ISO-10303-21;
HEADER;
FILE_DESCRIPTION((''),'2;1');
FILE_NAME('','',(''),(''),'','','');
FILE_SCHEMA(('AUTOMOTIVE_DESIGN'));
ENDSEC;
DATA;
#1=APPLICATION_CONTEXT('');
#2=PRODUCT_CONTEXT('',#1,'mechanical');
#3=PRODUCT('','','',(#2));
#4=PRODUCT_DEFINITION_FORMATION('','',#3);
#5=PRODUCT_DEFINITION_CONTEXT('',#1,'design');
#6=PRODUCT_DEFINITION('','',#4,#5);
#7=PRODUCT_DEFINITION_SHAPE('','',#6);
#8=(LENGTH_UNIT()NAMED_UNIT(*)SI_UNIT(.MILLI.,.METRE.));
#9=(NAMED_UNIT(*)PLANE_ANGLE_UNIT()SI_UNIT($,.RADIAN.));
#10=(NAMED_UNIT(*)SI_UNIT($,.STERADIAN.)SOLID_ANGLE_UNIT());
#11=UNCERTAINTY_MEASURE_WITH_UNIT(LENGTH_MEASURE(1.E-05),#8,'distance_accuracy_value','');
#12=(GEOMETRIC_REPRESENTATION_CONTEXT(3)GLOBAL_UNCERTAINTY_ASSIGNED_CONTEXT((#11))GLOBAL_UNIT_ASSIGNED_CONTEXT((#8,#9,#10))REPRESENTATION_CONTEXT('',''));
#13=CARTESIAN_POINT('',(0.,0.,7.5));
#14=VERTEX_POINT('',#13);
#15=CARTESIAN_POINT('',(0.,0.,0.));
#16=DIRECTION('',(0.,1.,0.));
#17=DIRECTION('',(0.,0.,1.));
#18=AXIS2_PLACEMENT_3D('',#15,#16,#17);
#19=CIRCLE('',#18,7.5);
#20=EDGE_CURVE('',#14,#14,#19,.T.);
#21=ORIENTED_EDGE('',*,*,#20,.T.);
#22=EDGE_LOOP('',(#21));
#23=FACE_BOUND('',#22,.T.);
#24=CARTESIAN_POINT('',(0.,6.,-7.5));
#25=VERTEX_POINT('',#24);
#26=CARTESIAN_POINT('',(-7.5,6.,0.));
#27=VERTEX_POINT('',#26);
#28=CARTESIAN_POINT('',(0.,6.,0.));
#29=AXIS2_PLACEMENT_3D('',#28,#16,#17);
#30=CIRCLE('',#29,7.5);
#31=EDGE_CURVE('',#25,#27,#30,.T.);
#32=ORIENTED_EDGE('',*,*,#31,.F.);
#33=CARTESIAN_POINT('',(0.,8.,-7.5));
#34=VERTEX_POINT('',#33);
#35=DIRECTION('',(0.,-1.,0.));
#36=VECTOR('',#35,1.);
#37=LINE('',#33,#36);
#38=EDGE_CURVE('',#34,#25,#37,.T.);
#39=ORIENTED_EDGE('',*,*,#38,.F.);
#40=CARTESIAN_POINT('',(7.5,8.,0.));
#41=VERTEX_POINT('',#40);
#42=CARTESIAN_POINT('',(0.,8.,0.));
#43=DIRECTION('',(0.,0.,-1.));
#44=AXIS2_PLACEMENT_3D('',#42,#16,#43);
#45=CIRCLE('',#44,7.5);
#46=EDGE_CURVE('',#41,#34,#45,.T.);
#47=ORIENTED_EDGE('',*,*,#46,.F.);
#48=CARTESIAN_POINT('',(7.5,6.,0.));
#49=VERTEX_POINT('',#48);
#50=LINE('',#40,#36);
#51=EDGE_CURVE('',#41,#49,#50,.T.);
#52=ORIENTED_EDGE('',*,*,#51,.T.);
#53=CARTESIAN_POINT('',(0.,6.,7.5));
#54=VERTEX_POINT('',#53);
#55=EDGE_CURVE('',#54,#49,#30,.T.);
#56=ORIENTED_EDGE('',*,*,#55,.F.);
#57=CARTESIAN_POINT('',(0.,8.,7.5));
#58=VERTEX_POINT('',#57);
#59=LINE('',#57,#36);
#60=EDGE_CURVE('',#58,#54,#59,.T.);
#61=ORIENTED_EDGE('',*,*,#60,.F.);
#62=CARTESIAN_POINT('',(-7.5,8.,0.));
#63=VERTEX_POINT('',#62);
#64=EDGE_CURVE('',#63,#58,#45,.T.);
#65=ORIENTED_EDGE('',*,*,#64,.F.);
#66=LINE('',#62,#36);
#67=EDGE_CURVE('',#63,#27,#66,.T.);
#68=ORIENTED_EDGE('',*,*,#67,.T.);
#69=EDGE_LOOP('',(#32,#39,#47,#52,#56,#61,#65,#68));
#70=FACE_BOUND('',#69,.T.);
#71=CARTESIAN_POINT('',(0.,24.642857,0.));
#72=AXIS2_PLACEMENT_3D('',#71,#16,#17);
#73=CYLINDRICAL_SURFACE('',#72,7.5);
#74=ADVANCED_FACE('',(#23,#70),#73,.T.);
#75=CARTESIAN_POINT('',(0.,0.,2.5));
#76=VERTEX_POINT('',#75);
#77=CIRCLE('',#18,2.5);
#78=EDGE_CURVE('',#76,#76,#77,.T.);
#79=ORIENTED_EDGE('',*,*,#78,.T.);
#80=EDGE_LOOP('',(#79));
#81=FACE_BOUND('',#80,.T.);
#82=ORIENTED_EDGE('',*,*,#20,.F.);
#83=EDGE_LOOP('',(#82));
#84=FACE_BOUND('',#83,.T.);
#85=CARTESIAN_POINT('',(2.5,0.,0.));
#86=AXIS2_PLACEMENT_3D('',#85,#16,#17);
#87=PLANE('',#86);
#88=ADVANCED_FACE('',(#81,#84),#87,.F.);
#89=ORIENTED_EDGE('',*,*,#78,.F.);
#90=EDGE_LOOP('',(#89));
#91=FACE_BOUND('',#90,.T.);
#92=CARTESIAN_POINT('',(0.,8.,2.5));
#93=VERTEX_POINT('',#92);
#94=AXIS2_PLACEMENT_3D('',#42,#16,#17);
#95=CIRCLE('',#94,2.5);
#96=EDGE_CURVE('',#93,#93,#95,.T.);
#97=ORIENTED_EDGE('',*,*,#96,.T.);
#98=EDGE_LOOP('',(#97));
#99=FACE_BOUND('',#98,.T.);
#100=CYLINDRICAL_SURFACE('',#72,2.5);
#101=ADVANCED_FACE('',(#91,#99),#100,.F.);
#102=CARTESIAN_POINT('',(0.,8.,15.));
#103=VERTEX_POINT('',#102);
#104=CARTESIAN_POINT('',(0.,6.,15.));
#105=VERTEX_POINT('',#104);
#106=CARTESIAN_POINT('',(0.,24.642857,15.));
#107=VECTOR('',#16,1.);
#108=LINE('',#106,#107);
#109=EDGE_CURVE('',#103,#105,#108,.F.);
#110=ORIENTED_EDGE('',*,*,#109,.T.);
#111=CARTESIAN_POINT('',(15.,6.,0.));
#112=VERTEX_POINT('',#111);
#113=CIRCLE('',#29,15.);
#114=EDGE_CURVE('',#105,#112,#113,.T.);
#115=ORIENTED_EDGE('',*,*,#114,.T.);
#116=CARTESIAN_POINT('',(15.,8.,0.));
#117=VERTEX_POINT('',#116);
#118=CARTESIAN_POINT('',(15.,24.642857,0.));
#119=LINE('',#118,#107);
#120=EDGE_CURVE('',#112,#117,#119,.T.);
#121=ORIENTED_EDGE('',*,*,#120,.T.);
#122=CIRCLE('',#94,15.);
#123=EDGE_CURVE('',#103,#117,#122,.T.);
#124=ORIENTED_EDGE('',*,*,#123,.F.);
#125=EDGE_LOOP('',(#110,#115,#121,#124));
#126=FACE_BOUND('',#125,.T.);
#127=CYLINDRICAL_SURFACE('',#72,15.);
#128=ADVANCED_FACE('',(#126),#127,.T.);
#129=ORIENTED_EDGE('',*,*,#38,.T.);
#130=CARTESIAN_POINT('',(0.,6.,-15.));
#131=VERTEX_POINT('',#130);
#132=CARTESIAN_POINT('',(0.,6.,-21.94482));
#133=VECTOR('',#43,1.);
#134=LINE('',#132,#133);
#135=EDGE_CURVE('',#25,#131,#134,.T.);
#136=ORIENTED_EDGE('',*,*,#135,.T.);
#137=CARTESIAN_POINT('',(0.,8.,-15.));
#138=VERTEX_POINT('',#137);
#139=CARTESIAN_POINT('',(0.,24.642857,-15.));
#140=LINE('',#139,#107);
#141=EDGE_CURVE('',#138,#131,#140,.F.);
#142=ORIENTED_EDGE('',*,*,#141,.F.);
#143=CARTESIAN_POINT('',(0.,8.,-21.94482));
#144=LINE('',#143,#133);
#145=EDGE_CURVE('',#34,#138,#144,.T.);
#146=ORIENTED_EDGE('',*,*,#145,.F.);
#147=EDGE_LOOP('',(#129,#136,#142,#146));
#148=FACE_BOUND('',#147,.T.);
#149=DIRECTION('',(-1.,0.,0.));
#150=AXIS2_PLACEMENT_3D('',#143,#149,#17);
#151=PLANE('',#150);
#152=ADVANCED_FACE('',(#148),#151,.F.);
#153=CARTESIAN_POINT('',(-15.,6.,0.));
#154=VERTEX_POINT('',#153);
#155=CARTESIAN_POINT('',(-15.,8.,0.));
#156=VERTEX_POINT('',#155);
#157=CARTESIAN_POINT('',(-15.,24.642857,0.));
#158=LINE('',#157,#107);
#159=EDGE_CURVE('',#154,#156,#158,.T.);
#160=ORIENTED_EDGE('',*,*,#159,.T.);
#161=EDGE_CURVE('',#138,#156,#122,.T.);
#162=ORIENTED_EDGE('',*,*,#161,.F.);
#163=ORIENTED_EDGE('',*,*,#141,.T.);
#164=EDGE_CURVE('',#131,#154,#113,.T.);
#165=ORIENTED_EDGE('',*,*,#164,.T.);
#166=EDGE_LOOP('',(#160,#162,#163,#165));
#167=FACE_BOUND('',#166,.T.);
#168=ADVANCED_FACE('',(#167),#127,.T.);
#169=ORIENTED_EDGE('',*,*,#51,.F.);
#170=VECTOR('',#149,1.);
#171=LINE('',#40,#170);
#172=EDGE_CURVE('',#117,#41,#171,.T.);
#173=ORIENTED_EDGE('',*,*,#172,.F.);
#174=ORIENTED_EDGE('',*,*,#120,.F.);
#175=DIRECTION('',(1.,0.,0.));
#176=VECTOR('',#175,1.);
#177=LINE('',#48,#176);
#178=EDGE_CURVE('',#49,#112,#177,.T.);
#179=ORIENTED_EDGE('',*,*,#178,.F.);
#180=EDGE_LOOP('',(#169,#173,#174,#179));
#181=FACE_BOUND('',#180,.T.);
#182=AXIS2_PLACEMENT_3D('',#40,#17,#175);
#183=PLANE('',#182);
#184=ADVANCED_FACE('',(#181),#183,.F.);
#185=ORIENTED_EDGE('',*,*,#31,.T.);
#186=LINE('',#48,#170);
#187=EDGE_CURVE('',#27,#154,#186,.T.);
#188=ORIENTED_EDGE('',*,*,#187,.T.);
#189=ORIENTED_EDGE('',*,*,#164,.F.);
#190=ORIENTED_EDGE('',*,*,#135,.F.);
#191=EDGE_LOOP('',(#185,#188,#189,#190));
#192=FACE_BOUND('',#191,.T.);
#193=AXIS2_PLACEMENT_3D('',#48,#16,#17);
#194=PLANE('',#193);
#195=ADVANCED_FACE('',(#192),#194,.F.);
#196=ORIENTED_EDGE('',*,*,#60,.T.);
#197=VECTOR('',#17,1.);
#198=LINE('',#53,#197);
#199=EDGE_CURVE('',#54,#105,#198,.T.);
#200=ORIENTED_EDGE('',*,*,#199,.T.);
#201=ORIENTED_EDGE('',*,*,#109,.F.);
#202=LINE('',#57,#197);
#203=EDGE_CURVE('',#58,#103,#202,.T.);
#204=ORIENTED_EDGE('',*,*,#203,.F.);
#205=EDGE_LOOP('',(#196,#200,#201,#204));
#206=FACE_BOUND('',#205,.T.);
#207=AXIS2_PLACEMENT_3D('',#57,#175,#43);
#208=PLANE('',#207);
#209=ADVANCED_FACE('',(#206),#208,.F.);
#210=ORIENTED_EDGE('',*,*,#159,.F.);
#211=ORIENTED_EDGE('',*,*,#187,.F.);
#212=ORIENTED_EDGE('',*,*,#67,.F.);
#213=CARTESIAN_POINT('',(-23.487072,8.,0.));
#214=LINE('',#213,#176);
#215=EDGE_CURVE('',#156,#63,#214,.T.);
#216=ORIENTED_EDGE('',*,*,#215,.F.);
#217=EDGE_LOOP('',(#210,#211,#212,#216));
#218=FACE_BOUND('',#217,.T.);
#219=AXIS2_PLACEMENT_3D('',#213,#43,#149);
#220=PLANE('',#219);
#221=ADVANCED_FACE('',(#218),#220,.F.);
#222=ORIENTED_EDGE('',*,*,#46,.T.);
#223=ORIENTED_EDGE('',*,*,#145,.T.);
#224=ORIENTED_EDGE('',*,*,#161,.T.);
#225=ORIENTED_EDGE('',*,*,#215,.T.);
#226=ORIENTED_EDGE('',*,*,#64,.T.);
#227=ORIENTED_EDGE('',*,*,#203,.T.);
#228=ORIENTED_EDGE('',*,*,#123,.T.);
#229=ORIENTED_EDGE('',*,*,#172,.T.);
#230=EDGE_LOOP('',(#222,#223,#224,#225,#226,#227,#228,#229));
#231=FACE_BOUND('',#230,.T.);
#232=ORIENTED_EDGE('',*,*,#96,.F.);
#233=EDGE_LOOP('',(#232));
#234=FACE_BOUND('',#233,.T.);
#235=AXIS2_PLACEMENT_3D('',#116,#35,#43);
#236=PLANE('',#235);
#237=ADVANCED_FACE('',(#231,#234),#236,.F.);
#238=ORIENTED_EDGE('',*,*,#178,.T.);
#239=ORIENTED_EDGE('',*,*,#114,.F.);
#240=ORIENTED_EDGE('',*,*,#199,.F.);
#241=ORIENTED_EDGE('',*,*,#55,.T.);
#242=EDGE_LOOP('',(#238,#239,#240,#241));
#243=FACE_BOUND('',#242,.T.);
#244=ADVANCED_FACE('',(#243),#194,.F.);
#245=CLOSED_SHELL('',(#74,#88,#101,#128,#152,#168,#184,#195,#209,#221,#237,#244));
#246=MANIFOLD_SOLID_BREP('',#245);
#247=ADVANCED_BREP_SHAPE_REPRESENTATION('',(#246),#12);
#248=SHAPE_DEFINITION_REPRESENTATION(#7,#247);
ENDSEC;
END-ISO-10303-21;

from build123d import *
from build123d.topology import SkipClean

# Parameters (mm, degrees)
CUT_EXTRUDE1_DEPTH = 23.045407685


with BuildPart() as part:
    # Sketch1 → Revolve1 (revolve)
    with BuildSketch(Plane.XY, mode=Mode.PRIVATE) as revolve1_sk:
        Polygon((2.5, 0), (7.5, 0), (7.5, 6), (15, 6), (15, 8), (2.5, 8), align=None)
    revolve(revolve1_sk.sketch.rotate(Axis((0, 24.642857143, 0), (0, -1, 0)), 90), axis=Axis((0, 24.642857143, 0), (0, -1, 0)))

    # Sketch2 → Cut-Extrude1 (cut, through all)
    with SkipClean():  # the faces are left unmerged after this step: merging them gives an invalid solid
        with BuildSketch(Plane.XZ.offset(-6)):
            with BuildLine():
                Line((0, 7.5), (0, 23.487072106))
                Line((0, 23.487072106), (-23.487072106, 0))
                Line((-23.487072106, 0), (-7.5, 0))
                ThreePointArc((-7.5, 0), (-5.303300859, 5.303300859), (0, 7.5))
            make_face()
            with BuildLine():
                Line((7.5, 0), (23.235513735, 0))
                Line((23.235513735, 0), (0, -21.944820016))
                Line((0, -21.944820016), (0, -7.5))
                ThreePointArc((0, -7.5), (5.303300859, -5.303300859), (7.5, 0))
            make_face()
        extrude(amount=-CUT_EXTRUDE1_DEPTH, mode=Mode.SUBTRACT)


solid = part.part
